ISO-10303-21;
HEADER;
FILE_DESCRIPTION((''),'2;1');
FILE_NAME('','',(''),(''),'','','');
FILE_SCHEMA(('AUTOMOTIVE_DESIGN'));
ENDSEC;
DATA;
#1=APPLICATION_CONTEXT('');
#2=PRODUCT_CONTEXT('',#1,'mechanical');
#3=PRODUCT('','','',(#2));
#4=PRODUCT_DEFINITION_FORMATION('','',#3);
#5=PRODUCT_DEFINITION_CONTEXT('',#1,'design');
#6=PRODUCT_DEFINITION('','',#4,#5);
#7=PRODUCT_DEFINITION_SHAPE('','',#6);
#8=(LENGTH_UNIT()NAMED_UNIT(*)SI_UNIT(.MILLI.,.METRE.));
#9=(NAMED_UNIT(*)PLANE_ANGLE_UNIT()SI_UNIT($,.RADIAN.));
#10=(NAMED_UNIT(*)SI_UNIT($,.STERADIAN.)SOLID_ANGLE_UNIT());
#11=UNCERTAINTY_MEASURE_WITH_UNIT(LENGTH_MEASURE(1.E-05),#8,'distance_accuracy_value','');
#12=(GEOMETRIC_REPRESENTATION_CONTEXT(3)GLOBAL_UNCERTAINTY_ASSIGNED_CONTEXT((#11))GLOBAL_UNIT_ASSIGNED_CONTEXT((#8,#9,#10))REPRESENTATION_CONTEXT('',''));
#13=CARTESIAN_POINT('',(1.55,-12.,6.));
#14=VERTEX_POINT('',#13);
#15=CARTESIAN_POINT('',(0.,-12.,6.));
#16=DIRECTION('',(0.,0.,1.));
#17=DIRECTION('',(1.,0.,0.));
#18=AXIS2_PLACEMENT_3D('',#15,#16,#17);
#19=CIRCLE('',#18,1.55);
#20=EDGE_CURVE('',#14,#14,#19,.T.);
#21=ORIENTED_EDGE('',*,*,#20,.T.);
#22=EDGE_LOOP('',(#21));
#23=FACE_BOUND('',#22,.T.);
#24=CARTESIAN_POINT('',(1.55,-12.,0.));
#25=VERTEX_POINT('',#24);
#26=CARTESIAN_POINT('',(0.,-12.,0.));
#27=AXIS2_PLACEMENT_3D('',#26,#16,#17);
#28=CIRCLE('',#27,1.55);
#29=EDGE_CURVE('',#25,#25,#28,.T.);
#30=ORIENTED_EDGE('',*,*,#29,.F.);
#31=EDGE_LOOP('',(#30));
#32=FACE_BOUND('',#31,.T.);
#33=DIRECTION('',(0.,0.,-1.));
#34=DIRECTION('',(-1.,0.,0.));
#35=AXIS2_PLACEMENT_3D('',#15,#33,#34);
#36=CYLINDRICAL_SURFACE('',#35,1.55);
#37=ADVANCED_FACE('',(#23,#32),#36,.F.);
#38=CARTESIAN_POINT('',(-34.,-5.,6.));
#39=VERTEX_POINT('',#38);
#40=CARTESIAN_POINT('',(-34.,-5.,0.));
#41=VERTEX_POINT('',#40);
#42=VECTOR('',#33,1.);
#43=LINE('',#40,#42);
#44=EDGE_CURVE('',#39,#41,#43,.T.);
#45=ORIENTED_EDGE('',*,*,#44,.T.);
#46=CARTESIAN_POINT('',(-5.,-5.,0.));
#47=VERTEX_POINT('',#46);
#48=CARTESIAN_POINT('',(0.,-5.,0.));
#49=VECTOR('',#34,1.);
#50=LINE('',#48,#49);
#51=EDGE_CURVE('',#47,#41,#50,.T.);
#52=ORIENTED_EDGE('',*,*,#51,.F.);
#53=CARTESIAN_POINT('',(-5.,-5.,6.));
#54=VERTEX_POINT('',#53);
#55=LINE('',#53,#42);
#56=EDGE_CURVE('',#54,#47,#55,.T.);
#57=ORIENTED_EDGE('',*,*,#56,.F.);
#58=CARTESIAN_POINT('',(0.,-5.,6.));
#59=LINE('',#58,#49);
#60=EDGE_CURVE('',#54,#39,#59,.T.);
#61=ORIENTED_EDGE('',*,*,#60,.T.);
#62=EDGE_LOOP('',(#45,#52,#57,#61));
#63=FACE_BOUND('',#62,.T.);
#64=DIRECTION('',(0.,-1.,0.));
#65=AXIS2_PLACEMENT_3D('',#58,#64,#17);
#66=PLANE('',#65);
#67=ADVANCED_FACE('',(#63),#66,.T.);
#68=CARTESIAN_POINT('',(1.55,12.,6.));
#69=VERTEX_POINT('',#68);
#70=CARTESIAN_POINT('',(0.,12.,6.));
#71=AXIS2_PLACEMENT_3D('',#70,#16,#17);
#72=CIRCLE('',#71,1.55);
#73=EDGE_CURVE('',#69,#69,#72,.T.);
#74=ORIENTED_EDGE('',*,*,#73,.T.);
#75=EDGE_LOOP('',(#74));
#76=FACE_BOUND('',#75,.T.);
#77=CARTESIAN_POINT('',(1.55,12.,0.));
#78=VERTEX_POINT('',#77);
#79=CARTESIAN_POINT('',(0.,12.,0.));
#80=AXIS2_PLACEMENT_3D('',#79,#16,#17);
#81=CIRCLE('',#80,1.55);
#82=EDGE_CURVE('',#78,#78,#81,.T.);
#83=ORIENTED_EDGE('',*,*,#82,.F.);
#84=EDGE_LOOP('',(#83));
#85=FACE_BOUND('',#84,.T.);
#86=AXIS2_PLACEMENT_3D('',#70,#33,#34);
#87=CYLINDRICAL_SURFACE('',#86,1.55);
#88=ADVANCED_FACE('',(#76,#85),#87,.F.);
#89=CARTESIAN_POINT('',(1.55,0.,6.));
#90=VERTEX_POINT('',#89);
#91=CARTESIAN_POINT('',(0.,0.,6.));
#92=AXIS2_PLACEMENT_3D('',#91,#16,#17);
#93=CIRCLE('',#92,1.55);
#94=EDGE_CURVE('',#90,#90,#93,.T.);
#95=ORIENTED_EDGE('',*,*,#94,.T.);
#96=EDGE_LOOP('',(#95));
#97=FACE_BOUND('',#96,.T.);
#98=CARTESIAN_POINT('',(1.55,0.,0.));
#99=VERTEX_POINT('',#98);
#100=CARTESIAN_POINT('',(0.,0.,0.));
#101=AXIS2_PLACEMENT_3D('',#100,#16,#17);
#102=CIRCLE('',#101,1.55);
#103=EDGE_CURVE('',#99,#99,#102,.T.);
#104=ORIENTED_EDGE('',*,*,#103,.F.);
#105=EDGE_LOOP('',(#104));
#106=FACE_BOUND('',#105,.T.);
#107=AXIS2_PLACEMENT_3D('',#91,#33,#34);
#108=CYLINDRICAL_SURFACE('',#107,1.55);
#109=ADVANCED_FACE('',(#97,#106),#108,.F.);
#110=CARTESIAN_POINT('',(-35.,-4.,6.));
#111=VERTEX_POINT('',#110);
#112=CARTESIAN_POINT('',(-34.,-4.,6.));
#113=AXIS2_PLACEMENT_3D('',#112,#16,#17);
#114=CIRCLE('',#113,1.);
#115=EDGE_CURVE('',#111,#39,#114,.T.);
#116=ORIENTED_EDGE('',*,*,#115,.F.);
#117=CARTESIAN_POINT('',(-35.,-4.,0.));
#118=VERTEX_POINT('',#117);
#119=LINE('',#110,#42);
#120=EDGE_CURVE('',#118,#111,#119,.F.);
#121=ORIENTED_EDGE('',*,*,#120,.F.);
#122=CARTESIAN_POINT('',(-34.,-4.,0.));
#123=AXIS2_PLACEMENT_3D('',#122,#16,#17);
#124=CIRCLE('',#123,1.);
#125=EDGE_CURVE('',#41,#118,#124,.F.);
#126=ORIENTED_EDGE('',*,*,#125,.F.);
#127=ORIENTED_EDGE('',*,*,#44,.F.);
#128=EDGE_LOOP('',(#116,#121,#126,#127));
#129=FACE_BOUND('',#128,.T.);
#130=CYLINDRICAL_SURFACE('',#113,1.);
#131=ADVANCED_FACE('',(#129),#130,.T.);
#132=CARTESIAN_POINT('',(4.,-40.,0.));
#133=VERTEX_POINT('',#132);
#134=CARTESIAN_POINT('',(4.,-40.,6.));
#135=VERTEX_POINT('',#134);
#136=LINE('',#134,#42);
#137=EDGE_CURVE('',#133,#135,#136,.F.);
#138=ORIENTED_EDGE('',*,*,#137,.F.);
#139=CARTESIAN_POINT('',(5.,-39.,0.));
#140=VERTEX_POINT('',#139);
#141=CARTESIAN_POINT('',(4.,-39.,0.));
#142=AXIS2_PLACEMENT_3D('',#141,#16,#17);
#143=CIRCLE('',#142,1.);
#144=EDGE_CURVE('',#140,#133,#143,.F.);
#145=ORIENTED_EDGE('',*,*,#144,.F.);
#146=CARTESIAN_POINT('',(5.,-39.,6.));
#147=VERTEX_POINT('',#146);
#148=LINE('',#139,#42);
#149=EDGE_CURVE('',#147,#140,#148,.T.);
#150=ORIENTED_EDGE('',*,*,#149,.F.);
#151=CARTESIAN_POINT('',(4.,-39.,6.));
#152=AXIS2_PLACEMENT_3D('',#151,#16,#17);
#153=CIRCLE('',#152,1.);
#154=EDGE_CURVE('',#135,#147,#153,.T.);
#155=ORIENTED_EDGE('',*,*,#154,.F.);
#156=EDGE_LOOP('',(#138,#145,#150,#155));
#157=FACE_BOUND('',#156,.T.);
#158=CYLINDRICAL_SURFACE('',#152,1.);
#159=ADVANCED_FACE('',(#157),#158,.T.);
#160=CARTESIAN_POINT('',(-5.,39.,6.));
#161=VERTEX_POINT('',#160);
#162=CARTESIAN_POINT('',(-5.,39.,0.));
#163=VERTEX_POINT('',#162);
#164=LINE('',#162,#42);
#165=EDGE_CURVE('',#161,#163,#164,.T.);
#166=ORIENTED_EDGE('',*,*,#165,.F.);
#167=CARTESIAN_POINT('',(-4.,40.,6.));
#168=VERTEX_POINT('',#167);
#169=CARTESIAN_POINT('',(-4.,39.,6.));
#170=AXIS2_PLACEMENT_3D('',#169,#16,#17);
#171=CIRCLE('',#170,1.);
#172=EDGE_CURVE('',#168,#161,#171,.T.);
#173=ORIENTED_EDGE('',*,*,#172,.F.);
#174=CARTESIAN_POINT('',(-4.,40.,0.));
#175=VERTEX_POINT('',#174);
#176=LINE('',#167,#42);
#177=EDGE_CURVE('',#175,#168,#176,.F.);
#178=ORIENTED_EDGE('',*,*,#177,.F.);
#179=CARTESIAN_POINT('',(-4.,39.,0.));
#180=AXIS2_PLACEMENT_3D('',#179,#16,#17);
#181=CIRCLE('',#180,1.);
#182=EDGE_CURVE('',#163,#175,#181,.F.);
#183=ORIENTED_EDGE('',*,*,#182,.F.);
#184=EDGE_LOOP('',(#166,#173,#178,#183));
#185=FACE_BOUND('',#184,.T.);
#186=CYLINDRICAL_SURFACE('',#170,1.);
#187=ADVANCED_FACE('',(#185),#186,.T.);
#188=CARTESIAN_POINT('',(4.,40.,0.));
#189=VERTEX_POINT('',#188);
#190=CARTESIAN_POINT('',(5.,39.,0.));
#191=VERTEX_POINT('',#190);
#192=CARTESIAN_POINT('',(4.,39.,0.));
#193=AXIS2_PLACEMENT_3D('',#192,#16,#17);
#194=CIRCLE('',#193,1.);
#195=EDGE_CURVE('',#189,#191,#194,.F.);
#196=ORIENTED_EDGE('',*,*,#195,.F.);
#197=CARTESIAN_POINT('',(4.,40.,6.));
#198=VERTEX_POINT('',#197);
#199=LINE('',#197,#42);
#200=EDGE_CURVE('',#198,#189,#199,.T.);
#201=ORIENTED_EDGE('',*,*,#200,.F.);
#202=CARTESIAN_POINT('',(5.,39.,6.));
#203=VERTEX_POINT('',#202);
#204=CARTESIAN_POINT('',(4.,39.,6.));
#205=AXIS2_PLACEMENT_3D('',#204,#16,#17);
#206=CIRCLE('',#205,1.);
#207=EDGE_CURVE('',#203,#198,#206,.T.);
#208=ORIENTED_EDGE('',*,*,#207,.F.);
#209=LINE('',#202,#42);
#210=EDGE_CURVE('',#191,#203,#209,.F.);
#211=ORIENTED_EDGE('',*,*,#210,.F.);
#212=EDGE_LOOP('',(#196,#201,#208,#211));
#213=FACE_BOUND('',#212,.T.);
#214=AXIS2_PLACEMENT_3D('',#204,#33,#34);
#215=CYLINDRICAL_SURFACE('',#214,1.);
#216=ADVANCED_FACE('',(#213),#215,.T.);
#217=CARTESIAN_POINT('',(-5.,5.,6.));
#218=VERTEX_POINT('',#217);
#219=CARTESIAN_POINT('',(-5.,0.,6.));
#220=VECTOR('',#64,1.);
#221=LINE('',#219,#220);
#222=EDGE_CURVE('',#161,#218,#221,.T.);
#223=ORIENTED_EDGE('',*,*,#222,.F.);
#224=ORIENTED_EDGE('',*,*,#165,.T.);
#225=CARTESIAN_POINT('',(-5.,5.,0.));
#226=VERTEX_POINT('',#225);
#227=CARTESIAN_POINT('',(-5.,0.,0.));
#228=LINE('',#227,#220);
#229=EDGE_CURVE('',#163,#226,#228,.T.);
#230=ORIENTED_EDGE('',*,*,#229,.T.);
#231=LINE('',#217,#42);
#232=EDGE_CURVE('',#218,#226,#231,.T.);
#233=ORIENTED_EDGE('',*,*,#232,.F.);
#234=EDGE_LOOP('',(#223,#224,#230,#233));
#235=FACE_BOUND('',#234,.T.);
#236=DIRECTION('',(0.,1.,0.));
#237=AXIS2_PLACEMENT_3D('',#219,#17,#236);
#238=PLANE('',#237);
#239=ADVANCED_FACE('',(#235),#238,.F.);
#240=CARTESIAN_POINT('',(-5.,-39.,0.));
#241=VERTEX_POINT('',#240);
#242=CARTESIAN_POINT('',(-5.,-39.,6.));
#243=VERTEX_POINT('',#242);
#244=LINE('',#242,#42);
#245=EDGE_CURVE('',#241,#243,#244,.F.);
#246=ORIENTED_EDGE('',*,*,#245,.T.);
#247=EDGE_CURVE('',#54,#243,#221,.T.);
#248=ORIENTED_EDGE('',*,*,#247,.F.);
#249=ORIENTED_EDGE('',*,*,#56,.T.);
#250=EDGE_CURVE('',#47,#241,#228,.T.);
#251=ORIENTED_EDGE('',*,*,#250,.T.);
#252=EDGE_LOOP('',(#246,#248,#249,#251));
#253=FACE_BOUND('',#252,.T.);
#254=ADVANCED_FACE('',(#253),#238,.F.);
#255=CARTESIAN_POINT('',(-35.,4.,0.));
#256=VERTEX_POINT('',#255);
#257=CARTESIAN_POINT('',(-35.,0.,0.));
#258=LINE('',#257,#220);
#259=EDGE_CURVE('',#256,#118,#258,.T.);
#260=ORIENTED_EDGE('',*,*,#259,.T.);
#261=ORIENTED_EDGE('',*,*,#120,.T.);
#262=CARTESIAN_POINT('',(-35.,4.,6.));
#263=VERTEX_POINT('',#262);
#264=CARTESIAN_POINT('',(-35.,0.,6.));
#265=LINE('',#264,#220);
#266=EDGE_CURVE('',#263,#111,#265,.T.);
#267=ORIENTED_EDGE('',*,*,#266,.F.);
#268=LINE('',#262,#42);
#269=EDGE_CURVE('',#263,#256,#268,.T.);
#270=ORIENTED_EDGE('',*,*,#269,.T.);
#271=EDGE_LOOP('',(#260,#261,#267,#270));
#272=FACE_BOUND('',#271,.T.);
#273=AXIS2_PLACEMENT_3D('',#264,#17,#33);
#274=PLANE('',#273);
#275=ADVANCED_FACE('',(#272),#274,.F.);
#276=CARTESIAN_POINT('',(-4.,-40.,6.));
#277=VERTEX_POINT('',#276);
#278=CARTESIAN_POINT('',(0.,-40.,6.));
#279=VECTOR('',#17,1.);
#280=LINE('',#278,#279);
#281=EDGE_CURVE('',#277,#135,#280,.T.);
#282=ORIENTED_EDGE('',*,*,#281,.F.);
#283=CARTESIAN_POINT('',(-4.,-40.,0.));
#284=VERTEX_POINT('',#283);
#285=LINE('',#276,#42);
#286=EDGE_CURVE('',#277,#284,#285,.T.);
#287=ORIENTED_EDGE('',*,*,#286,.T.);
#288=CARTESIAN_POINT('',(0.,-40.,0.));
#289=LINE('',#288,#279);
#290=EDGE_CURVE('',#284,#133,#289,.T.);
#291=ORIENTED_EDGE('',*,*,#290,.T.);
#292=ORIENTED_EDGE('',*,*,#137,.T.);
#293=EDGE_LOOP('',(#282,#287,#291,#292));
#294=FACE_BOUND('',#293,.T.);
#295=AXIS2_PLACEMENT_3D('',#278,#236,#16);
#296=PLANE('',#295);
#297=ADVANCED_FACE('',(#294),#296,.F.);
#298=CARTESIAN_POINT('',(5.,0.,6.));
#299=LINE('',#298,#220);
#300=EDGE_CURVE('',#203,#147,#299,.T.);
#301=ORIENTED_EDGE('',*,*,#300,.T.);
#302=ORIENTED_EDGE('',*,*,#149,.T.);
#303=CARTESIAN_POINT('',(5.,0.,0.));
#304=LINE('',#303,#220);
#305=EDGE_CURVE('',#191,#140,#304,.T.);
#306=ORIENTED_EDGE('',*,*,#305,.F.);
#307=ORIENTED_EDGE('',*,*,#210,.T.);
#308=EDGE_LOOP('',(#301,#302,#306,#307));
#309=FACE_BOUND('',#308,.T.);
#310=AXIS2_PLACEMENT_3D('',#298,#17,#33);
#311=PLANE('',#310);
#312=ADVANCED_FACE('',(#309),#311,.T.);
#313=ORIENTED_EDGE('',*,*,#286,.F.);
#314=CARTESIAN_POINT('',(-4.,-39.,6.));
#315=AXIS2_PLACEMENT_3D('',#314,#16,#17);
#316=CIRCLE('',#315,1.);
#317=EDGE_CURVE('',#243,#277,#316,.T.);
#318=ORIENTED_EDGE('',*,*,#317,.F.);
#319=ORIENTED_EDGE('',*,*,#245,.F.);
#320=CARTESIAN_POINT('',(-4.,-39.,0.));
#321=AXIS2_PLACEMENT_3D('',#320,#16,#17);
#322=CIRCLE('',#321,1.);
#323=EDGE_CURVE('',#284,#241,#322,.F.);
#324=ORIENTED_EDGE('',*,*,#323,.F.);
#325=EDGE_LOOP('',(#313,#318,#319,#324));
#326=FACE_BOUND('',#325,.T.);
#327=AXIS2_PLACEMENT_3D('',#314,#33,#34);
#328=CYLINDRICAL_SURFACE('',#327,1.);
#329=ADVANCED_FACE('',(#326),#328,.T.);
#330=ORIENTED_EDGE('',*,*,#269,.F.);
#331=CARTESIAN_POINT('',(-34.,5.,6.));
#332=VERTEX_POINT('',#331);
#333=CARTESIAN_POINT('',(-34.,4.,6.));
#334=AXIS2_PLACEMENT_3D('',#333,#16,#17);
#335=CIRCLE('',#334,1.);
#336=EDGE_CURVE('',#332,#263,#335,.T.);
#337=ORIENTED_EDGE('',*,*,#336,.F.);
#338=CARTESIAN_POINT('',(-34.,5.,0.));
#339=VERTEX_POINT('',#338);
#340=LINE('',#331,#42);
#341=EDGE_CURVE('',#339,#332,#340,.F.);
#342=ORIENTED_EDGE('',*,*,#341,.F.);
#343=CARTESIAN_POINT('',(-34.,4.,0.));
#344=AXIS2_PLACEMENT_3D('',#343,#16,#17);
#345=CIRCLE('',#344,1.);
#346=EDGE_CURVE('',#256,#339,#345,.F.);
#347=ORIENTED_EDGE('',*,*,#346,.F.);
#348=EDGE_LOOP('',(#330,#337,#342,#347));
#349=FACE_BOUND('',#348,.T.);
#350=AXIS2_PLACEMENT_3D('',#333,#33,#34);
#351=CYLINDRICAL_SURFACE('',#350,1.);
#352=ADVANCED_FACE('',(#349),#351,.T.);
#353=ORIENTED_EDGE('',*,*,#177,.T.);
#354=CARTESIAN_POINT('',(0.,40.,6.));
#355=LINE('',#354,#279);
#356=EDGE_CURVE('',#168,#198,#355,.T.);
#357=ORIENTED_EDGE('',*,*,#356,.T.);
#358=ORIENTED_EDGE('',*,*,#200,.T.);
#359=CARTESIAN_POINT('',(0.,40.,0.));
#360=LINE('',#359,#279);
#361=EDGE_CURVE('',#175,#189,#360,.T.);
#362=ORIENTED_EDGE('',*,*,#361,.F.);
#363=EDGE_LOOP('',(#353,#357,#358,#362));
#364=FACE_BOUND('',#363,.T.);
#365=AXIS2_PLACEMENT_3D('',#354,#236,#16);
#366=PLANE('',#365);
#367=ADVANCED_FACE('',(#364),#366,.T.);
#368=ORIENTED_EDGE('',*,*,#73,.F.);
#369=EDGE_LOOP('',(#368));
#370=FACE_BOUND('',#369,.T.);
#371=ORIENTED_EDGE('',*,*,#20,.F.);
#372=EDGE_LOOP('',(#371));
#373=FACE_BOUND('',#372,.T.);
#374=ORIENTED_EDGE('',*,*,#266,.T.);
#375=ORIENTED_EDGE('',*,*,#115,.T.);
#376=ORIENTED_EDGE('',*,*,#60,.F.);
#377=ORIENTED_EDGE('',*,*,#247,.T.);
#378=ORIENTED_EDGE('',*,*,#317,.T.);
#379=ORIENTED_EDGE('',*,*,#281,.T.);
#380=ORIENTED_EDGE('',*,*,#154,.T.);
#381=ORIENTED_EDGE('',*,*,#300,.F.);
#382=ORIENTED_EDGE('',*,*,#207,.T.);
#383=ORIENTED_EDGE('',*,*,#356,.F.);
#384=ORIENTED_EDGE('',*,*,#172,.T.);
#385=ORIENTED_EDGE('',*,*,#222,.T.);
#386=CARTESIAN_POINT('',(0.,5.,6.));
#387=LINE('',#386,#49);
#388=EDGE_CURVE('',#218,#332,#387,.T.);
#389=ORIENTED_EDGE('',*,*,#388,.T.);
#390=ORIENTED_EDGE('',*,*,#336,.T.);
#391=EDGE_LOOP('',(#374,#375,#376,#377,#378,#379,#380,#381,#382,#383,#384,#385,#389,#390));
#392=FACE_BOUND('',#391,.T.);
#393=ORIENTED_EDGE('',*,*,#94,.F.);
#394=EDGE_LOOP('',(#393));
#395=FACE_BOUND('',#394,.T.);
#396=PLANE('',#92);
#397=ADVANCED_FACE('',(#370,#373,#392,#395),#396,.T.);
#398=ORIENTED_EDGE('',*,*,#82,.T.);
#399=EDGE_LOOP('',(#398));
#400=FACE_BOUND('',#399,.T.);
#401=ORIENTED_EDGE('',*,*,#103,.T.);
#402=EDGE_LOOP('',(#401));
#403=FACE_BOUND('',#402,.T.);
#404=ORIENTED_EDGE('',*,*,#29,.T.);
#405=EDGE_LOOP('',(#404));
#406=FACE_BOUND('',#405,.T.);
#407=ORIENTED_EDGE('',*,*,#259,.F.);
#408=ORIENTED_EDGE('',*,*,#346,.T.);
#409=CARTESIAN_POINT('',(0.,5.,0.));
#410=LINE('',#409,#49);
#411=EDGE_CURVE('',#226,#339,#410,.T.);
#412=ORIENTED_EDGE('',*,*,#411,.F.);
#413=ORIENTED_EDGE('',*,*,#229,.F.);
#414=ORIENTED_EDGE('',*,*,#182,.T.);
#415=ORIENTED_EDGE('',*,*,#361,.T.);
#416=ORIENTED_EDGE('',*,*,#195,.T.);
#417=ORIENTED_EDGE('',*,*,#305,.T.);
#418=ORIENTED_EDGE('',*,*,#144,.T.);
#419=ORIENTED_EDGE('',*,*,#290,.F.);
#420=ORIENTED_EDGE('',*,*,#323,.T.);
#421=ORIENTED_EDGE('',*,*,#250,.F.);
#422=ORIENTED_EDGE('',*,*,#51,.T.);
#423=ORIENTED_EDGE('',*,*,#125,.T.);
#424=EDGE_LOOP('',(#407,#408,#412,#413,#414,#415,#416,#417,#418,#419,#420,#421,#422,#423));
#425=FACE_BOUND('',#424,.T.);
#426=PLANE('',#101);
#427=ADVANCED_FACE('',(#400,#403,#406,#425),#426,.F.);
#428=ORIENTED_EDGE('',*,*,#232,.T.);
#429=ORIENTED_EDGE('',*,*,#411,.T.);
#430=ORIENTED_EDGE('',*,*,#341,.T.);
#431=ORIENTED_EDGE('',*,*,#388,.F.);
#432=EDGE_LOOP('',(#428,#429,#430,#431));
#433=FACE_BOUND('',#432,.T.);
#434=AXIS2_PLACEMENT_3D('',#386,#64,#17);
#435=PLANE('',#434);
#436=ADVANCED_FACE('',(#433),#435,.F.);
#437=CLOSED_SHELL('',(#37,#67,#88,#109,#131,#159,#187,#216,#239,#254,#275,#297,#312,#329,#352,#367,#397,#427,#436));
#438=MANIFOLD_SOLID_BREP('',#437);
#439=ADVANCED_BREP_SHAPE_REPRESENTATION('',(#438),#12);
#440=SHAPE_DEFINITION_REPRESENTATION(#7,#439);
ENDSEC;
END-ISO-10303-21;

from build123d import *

# Parameters (mm, degrees)
SKETCH_1_W      = 10
SKETCH_1_H      = 80
SKETCH_1_R      = 1.55
SKETCH_1_W_2    = 30
SKETCH_1_H_2    = 10
EXTRUDE_1_DEPTH = 6
FILLET_1_R      = 1


with BuildPart() as part:
    # 草图1 → 凸台-拉伸1 (new body)
    with BuildSketch(Plane.XY):
        Rectangle(SKETCH_1_W, SKETCH_1_H)
        with Locations((0, 12)):
            Circle(SKETCH_1_R, mode=Mode.SUBTRACT)
        Circle(SKETCH_1_R, mode=Mode.SUBTRACT)
        with Locations((0, -12)):
            Circle(SKETCH_1_R, mode=Mode.SUBTRACT)
        with Locations((-20, 0)):
            Rectangle(SKETCH_1_W_2, SKETCH_1_H_2)
    extrude(amount=EXTRUDE_1_DEPTH)

    # 圆角1
    fillet_1_edges = [part.edges().sort_by_distance(p)[0] for p in [
        (-5, 40, 3),
        (5, 40, 3),
        (5, -40, 3),
        (-5, -40, 3),
        (-35, -5, 3),
        (-35, 5, 3),
    ]]
    fillet(fillet_1_edges, radius=FILLET_1_R)


solid = part.part
